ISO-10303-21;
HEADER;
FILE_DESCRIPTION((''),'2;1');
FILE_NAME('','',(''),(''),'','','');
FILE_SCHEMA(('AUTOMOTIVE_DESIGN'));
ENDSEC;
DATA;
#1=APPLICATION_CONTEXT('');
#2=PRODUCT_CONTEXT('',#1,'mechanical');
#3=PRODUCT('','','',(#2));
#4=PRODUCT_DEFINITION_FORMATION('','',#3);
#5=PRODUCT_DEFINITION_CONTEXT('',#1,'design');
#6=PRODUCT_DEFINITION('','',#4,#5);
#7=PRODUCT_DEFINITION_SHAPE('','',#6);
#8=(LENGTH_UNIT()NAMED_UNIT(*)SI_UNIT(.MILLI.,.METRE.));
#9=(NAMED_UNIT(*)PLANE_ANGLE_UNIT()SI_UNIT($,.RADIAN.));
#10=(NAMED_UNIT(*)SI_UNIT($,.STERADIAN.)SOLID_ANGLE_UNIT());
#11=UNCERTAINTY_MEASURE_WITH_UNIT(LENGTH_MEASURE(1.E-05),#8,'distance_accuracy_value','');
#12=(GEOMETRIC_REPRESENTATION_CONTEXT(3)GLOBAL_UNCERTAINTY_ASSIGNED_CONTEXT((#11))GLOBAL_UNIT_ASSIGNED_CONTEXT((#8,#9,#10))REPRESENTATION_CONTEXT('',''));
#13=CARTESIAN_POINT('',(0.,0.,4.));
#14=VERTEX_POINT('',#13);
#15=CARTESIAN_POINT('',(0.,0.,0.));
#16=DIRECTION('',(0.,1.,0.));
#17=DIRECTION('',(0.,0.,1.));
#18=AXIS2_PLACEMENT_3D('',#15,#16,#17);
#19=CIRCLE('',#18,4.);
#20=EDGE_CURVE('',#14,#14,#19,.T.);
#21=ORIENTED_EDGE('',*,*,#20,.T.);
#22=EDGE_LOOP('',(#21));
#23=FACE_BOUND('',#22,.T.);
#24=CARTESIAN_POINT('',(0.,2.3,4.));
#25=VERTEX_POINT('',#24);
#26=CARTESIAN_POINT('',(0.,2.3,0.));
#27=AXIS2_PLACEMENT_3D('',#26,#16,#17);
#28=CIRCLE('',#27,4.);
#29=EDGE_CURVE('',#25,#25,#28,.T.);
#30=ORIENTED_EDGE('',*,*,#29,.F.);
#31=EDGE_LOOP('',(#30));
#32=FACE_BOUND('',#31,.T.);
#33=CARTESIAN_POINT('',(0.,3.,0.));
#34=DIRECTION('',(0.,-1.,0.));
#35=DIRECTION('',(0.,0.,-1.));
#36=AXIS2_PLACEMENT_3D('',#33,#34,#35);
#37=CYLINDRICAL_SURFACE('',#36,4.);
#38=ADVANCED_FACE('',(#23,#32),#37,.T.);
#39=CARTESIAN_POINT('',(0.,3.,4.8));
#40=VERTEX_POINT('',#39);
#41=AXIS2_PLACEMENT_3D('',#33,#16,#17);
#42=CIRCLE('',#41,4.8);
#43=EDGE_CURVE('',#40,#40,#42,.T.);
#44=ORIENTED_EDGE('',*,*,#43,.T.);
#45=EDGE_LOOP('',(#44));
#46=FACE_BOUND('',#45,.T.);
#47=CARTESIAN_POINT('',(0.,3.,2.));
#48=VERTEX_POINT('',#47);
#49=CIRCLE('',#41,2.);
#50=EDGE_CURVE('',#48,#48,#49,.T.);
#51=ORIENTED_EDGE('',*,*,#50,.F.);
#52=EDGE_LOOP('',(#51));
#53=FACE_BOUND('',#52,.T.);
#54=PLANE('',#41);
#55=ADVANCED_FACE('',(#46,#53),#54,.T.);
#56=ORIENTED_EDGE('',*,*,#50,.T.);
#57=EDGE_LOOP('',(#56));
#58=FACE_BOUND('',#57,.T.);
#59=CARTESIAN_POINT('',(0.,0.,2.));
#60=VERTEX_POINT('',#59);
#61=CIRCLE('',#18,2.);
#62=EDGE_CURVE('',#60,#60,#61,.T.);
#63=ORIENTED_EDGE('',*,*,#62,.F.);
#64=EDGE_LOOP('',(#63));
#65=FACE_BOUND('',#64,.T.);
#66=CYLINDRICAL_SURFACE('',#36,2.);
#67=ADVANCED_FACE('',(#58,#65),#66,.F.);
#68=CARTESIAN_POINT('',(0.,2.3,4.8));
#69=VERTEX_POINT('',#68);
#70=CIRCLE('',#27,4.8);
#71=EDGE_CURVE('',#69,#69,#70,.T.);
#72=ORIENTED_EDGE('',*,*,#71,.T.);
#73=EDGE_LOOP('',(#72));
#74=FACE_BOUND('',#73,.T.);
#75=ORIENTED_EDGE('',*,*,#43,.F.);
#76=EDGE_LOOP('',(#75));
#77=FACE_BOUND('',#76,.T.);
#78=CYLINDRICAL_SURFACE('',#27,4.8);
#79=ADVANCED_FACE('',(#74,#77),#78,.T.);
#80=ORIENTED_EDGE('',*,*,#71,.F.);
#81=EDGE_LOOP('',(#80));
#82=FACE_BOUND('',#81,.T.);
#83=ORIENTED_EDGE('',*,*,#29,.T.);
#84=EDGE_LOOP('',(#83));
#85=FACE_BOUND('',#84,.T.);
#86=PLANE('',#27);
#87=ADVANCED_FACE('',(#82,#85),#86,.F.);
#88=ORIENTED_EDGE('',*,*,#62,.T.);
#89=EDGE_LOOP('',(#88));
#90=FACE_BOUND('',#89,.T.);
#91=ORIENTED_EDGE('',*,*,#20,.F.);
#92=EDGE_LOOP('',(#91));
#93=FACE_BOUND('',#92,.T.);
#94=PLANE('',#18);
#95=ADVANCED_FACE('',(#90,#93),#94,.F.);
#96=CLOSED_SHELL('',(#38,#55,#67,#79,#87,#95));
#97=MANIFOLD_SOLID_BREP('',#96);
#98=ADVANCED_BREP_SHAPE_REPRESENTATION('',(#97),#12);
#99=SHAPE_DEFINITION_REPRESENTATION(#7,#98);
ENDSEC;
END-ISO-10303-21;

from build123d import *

# Parameters (mm, degrees)
SKETCH1_R           = 4
SKETCH1_R_2         = 2
BOSS_EXTRUDE1_DEPTH = 3
SKETCH2_R           = 4.8
SKETCH2_R_2         = 2.5
BOSS_EXTRUDE2_DEPTH = 0.7


with BuildPart() as part:
    # Sketch1 → Boss-Extrude1 (new body)
    with BuildSketch(Plane(origin=(0, 0, 0), x_dir=(1, 0, 0), z_dir=(0, 1, 0))):
        Circle(SKETCH1_R)
        Circle(SKETCH1_R_2, mode=Mode.SUBTRACT)
    extrude(amount=BOSS_EXTRUDE1_DEPTH)

    # Sketch2 → Boss-Extrude2 (add)
    with BuildSketch(Plane(origin=(0, 3, 0), x_dir=(-1, 0, 0), z_dir=(0, 1, 0))):
        Circle(SKETCH2_R)
        Circle(SKETCH2_R_2, mode=Mode.SUBTRACT)
    extrude(amount=-BOSS_EXTRUDE2_DEPTH)


solid = part.part
